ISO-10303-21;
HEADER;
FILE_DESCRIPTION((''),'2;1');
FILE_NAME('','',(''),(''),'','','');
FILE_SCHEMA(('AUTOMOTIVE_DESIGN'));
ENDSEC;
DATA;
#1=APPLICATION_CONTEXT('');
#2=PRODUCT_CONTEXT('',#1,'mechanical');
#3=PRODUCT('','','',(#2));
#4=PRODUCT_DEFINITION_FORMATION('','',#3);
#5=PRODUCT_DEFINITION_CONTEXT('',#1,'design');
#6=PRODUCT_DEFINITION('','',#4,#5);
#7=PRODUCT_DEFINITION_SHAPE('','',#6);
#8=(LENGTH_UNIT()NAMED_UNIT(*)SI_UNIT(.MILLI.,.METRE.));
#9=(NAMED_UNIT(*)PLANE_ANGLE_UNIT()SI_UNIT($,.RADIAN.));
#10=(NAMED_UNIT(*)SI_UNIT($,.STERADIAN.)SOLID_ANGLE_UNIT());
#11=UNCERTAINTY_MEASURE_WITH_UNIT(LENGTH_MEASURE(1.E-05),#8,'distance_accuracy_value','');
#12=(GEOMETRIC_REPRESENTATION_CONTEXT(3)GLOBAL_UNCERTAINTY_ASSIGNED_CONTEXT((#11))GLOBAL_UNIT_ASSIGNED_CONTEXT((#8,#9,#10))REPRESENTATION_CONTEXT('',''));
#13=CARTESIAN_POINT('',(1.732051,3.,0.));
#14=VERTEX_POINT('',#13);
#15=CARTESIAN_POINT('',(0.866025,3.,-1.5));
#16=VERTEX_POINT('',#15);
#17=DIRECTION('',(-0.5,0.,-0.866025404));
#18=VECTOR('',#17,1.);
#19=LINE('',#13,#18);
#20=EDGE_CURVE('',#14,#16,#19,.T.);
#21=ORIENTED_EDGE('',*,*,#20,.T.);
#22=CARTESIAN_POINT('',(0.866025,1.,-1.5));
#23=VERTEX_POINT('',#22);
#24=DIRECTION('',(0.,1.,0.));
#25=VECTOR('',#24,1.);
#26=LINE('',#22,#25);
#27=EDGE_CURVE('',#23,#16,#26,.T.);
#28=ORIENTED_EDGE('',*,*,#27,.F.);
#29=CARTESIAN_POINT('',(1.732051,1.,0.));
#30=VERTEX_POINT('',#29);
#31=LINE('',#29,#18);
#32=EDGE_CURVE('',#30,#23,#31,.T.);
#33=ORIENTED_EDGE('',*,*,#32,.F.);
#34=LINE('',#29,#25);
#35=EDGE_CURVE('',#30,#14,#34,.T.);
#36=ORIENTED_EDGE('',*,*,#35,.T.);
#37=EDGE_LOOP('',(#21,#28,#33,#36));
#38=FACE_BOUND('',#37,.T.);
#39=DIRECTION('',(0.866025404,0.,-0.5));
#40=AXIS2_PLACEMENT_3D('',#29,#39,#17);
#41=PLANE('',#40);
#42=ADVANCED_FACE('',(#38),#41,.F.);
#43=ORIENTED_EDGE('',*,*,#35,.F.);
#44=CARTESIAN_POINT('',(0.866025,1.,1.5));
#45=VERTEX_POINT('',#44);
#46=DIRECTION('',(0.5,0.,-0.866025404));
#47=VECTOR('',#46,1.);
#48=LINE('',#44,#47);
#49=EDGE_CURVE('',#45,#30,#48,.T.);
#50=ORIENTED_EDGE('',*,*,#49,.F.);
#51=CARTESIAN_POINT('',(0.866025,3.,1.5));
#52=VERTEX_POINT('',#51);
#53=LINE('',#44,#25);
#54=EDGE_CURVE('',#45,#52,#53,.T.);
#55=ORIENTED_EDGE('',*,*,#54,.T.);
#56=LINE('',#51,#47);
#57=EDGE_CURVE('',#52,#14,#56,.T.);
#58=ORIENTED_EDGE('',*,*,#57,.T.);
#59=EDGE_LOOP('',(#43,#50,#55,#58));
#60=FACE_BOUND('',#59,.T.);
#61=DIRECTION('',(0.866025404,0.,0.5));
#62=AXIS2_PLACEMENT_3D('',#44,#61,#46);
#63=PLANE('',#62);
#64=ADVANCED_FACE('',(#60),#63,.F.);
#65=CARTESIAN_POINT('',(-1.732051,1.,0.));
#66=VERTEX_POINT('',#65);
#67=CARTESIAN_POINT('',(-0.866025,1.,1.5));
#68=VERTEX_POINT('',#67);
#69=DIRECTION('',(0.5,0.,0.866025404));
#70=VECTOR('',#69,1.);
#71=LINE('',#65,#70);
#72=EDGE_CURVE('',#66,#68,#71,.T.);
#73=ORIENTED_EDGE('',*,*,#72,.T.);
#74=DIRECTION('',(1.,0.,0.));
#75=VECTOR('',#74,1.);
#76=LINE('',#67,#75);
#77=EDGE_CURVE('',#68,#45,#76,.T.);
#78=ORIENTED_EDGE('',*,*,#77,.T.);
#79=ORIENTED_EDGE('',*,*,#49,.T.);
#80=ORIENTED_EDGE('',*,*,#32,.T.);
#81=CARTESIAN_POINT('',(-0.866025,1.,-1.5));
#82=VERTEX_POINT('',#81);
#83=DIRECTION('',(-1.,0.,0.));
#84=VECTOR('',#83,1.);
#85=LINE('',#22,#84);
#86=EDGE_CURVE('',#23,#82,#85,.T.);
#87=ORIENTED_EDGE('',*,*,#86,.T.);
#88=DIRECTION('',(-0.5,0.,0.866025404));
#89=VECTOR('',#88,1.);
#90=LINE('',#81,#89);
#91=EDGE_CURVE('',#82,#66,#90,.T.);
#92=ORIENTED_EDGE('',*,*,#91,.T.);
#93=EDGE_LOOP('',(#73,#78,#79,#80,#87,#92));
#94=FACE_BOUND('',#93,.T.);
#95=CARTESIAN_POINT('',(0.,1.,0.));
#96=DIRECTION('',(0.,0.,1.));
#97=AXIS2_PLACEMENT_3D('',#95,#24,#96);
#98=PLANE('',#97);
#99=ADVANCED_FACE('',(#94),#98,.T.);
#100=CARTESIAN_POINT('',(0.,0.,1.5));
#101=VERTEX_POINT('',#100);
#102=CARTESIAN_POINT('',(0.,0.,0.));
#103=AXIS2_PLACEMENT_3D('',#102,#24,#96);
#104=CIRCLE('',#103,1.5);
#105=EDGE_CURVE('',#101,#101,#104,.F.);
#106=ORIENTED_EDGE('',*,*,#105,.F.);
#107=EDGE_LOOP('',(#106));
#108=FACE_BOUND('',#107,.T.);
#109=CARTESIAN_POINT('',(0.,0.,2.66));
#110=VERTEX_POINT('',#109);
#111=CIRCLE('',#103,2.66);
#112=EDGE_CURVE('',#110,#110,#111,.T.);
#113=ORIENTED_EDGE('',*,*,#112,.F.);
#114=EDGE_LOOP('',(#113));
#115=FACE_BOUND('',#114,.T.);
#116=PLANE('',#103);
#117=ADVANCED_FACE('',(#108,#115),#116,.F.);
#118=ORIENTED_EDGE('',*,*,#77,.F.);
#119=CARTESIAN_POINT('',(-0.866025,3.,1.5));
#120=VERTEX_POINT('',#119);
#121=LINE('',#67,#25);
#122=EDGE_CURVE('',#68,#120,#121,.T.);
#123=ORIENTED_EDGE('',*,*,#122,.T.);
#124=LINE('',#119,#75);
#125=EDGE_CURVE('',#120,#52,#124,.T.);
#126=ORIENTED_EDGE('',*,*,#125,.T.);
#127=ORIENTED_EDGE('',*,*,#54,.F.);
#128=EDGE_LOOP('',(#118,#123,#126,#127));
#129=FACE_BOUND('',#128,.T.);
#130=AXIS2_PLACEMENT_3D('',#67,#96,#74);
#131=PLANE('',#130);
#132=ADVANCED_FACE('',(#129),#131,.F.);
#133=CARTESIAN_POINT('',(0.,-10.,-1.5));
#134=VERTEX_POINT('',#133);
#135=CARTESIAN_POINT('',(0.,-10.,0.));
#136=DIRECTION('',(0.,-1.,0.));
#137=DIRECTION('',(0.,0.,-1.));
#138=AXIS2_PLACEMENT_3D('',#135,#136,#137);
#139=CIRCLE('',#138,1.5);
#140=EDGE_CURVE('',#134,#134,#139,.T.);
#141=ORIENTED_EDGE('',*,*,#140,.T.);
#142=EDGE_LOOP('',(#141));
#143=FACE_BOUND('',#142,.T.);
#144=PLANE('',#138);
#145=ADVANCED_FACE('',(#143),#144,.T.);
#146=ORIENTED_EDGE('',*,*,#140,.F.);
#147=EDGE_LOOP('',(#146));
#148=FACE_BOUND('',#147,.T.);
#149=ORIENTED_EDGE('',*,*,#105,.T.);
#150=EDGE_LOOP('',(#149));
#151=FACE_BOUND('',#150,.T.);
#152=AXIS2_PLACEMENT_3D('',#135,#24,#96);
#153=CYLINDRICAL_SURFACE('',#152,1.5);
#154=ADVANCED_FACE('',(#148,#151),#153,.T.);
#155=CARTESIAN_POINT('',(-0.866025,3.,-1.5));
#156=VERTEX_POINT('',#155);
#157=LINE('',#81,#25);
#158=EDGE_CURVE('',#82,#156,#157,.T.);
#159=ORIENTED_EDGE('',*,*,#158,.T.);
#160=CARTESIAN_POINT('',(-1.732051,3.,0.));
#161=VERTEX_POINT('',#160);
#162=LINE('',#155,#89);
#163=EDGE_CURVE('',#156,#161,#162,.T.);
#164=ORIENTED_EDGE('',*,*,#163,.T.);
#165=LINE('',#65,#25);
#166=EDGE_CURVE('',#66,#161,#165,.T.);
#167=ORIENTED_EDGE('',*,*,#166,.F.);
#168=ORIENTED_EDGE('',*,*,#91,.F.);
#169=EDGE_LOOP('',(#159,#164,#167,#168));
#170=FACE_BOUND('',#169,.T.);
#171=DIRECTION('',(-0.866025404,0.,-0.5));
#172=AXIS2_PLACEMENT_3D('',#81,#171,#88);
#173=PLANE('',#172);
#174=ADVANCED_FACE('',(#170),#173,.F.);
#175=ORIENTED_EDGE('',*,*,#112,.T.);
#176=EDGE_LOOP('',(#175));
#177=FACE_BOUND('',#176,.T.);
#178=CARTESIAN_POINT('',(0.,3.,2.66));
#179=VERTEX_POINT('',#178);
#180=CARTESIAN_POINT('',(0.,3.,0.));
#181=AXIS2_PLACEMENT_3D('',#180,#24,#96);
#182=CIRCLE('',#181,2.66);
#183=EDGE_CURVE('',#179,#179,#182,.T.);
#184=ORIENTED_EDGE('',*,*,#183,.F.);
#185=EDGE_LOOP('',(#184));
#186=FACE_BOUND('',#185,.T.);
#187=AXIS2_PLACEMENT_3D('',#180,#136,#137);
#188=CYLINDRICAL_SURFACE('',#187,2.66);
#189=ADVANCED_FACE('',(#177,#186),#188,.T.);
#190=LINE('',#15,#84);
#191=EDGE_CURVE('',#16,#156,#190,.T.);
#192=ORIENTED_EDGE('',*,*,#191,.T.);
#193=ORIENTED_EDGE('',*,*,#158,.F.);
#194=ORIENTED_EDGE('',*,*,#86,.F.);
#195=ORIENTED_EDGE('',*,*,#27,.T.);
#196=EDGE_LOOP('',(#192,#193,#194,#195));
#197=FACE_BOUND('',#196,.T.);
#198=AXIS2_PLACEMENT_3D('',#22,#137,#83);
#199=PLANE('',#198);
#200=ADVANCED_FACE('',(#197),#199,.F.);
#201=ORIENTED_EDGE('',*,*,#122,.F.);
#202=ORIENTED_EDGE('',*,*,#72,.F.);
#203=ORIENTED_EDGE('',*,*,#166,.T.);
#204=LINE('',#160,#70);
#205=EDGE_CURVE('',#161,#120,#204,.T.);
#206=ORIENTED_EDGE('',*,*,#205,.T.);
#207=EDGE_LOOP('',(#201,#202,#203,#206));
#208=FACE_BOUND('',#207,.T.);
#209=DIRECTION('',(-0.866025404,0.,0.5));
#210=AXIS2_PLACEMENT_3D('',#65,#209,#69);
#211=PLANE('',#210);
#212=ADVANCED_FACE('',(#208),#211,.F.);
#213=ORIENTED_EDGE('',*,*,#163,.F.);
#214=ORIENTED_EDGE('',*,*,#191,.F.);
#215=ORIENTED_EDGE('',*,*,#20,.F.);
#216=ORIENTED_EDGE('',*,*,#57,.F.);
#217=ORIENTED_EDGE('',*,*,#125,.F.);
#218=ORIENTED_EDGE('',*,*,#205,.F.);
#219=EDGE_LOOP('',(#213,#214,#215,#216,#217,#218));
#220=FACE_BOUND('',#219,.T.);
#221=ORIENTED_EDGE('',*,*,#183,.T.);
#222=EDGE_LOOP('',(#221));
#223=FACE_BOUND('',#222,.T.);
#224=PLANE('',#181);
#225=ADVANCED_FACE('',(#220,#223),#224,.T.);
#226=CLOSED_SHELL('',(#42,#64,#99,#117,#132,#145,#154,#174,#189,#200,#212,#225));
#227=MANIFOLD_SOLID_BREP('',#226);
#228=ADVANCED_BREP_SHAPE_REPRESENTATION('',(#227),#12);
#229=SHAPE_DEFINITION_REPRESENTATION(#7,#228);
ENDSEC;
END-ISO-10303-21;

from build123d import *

# Parameters (mm, degrees)
SKETCH1_R           = 2.66
BOSS_EXTRUDE1_DEPTH = 3
CUT_EXTRUDE1_DEPTH  = 2
SKETCH3_R           = 1.5
BOSS_EXTRUDE2_DEPTH = 10


with BuildPart() as part:
    # Sketch1 → Boss-Extrude1 (new body)
    with BuildSketch(Plane(origin=(0, 0, 0), x_dir=(1, 0, 0), z_dir=(0, 1, 0))):
        with Locations(Location((0, 0, 0), (0, 0, 270))):
            Circle(SKETCH1_R)
    extrude(amount=BOSS_EXTRUDE1_DEPTH)

    # Sketch2 → Cut-Extrude1 (cut)
    with BuildSketch(Plane(origin=(0, 3, 0), x_dir=(1, 0, 0), z_dir=(0, 1, 0))):
        Polygon((1.732050808, 0), (0.866025404, 1.5), (-0.866025404, 1.5), (-1.732050808, 0), (-0.866025404, -1.5), (0.866025404, -1.5), align=None)
    extrude(amount=-CUT_EXTRUDE1_DEPTH, mode=Mode.SUBTRACT)

    # Sketch3 → Boss-Extrude2 (add)
    with BuildSketch(Plane.XZ):
        with Locations(Location((0, 0, 0), (0, 0, 90))):
            Circle(SKETCH3_R)
    extrude(amount=BOSS_EXTRUDE2_DEPTH)


solid = part.part
